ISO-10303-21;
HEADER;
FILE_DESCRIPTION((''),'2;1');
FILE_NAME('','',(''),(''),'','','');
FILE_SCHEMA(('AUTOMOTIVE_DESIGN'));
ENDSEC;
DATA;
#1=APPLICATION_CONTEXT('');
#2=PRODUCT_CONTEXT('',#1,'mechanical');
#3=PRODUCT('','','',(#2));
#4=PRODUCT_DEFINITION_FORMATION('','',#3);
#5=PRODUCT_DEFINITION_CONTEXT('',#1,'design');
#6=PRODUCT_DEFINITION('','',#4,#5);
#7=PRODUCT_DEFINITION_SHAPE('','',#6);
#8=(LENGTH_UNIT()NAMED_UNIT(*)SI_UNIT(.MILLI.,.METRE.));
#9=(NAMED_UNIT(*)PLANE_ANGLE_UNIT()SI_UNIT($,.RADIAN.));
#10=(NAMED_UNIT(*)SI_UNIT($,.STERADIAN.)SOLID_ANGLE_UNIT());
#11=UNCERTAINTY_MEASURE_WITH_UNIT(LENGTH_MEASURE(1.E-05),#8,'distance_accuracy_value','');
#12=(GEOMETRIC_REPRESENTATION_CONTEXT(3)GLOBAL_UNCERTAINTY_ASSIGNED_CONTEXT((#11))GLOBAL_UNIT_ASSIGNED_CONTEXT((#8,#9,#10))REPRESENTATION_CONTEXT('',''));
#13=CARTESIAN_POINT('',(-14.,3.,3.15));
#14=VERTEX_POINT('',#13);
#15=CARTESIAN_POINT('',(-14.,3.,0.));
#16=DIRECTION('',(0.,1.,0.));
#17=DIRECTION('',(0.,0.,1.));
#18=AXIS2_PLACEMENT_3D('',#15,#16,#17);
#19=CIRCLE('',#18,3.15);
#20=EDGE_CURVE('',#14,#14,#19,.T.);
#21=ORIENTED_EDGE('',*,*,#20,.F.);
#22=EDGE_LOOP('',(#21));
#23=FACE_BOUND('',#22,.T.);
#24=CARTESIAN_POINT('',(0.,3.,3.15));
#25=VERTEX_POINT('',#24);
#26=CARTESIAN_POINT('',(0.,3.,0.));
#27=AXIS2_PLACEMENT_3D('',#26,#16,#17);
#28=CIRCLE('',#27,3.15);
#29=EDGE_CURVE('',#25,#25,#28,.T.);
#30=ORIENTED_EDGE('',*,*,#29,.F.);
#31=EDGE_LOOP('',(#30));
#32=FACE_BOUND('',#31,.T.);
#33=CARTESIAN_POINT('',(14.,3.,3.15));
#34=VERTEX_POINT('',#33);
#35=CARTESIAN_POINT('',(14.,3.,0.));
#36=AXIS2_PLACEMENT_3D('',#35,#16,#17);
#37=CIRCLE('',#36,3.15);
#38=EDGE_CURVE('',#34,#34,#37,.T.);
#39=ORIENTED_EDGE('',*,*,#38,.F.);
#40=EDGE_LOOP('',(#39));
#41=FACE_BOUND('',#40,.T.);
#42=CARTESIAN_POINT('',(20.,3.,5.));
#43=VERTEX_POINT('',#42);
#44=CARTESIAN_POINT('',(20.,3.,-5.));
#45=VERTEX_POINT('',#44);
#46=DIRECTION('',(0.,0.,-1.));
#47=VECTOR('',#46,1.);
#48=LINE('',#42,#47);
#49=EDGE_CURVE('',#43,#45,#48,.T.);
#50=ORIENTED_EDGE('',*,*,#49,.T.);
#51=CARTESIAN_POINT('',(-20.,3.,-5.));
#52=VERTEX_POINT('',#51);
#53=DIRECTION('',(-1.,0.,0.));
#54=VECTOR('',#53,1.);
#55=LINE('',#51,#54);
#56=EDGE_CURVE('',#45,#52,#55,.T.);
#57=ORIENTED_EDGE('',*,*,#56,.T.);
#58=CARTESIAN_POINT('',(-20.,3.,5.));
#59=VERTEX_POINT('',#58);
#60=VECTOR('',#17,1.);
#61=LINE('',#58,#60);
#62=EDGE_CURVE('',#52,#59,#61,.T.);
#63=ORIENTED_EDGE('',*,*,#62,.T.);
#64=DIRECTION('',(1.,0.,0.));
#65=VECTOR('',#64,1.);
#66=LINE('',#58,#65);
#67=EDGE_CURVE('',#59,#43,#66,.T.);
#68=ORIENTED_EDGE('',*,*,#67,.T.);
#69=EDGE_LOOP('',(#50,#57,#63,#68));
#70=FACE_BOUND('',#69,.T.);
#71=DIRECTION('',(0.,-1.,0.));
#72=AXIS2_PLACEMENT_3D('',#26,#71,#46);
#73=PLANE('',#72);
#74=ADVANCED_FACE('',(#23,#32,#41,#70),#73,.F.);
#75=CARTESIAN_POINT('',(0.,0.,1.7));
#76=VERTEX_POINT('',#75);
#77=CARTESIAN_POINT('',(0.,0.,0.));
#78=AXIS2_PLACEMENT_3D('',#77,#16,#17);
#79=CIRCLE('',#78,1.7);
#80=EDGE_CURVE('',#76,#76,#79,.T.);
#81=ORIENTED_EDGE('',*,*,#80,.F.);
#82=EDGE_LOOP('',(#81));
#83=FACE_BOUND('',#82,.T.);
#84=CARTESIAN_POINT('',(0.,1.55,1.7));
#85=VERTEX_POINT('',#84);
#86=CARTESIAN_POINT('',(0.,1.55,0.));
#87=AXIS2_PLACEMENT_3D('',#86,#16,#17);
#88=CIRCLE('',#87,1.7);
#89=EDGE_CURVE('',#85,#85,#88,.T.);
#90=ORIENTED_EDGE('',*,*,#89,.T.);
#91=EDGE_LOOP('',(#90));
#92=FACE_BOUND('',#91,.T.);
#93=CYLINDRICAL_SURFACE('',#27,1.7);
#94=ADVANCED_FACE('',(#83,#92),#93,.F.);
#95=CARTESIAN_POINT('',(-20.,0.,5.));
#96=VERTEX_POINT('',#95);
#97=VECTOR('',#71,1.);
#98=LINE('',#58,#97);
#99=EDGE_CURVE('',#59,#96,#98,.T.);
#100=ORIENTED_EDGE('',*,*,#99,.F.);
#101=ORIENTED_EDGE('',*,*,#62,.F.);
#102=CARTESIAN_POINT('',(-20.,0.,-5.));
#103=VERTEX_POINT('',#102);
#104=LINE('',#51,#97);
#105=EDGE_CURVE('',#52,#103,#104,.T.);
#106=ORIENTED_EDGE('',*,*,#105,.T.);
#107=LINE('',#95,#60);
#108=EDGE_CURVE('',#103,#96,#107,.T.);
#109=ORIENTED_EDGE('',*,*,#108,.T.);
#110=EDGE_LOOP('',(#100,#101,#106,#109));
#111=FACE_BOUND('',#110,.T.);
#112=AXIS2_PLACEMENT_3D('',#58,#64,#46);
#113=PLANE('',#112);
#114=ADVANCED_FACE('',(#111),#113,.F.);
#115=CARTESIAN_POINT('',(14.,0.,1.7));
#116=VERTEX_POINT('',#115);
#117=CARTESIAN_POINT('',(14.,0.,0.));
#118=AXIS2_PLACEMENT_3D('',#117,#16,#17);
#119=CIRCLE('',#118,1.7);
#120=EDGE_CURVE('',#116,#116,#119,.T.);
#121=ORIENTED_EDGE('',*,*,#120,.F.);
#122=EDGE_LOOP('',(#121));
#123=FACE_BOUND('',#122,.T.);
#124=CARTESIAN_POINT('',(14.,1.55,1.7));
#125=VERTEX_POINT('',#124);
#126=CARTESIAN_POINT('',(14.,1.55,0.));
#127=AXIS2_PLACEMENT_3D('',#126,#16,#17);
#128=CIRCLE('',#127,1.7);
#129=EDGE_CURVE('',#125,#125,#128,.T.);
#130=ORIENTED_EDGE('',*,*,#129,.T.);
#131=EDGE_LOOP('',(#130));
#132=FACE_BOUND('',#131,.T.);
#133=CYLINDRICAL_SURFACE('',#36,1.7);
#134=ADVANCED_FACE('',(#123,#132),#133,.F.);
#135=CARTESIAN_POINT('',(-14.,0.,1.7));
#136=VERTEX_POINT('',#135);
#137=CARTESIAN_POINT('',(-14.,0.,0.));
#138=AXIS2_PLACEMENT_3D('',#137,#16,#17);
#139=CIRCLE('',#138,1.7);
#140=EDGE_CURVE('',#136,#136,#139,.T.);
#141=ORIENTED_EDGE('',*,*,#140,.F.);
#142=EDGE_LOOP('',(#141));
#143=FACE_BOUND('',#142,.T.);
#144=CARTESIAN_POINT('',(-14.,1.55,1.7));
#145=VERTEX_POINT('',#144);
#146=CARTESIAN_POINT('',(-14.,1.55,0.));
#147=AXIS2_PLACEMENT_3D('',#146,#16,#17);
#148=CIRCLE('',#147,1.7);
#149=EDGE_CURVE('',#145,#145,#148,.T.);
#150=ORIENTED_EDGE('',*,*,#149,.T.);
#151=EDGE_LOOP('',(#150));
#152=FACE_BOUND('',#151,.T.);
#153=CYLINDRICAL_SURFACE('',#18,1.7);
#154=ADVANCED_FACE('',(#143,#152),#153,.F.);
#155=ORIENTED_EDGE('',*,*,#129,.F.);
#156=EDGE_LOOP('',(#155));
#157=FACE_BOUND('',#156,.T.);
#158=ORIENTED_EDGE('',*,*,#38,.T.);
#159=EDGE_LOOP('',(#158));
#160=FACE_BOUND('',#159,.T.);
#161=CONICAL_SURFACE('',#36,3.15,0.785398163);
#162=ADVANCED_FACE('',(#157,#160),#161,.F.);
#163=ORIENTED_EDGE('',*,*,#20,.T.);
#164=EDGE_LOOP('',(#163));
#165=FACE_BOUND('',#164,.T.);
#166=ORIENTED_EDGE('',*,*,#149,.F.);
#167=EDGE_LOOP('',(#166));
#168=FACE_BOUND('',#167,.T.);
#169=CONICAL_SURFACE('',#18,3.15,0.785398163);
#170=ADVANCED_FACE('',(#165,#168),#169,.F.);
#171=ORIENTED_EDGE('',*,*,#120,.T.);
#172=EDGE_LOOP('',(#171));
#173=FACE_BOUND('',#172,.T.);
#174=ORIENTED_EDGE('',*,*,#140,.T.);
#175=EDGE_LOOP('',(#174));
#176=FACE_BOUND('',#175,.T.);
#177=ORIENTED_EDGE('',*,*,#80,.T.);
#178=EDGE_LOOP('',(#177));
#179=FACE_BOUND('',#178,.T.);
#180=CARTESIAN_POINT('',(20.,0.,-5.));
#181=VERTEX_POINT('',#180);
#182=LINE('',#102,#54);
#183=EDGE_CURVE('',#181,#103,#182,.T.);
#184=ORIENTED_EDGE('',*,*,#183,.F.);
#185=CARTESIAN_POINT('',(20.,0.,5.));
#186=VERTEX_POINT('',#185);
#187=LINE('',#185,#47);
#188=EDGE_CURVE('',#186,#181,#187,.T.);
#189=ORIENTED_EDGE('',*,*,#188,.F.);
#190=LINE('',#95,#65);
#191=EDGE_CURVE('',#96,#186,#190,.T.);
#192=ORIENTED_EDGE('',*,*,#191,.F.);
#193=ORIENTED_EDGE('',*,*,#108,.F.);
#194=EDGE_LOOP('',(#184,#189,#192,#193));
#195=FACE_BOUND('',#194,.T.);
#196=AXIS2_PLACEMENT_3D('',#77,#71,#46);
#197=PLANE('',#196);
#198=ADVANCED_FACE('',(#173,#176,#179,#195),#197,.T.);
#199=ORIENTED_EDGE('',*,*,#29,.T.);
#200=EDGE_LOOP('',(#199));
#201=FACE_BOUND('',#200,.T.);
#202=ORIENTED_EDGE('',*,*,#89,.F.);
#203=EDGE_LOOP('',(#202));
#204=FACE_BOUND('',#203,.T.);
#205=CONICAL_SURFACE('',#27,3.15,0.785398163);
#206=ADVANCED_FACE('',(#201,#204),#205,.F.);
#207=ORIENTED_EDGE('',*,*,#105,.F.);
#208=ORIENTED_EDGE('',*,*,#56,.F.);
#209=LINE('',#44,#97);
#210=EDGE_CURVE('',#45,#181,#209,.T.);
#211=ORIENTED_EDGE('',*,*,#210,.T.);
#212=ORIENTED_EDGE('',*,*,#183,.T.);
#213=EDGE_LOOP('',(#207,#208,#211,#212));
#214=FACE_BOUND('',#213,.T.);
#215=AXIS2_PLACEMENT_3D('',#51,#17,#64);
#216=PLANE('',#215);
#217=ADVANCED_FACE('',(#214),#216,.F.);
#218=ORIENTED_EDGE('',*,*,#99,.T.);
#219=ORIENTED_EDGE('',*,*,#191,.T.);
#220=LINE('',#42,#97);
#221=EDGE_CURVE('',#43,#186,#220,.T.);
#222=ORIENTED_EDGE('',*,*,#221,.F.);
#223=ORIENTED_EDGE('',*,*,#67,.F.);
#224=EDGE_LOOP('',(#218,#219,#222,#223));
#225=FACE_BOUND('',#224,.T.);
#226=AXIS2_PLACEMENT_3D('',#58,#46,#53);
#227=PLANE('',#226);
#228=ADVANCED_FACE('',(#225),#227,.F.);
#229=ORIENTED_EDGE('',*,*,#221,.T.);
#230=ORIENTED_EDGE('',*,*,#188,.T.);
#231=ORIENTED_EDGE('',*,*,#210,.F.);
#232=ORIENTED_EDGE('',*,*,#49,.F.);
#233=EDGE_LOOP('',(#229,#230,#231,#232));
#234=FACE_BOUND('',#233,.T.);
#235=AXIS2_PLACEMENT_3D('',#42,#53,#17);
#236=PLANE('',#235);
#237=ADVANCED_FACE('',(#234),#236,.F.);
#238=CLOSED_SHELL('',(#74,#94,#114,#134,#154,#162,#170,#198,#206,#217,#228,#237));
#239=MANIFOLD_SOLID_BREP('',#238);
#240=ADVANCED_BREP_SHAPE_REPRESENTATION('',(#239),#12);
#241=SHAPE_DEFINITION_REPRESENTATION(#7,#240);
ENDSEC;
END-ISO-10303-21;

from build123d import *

# Parameters (mm, degrees)
SKETCH1_W                                    = 40
SKETCH1_H                                    = 10
BOSS_EXTRUDE1_DEPTH                          = 3
CSK_FOR_M3_COUNTERSUNK_FLAT_HEAD_SCR_2_COUNT = 2
CSK_FOR_M3_COUNTERSUNK_FLAT_HEAD_SCR_2_PITCH = 28
CSK_FOR_M3_COUNTERSUNK_FLAT_HEAD_SCR_3_COUNT = 2
CSK_FOR_M3_COUNTERSUNK_FLAT_HEAD_SCR_3_PITCH = 14


with BuildPart() as part:
    # Sketch1 → Boss-Extrude1 (new body)
    with BuildSketch(Plane(origin=(0, 0, 0), x_dir=(1, 0, 0), z_dir=(0, 1, 0))):
        Rectangle(SKETCH1_W, SKETCH1_H)
    extrude(amount=BOSS_EXTRUDE1_DEPTH)

    # Sketch3 → CSK for M3 Countersunk Flat Head Screw1 (revolve, cut)
    with BuildSketch(Plane(origin=(-14, 3, 0), x_dir=(0, 0, 1), z_dir=(1, 0, 0))):
        Polygon((0, 0), (0, 3), (1.7, 3), (1.7, 1.45), (3.15, 0), align=None)
    csk_for_m3_countersunk_flat_head_screw1 = revolve(axis=Axis((-14, 9.35, 0), (0, -1, 0)), mode=Mode.SUBTRACT)

    # CSK for M3 Countersunk Flat Head Scr 2: CSK for M3 Countersunk Flat Head Screw1 ×2
    with Locations(*[(i * CSK_FOR_M3_COUNTERSUNK_FLAT_HEAD_SCR_2_PITCH, 0, 0) for i in range(1, CSK_FOR_M3_COUNTERSUNK_FLAT_HEAD_SCR_2_COUNT)]):
        add(csk_for_m3_countersunk_flat_head_screw1, mode=Mode.SUBTRACT)

    # CSK for M3 Countersunk Flat Head Scr 3: CSK for M3 Countersunk Flat Head Screw1 ×2
    with Locations(*[(i * CSK_FOR_M3_COUNTERSUNK_FLAT_HEAD_SCR_3_PITCH, 0, 0) for i in range(1, CSK_FOR_M3_COUNTERSUNK_FLAT_HEAD_SCR_3_COUNT)]):
        add(csk_for_m3_countersunk_flat_head_screw1, mode=Mode.SUBTRACT)


solid = part.part
